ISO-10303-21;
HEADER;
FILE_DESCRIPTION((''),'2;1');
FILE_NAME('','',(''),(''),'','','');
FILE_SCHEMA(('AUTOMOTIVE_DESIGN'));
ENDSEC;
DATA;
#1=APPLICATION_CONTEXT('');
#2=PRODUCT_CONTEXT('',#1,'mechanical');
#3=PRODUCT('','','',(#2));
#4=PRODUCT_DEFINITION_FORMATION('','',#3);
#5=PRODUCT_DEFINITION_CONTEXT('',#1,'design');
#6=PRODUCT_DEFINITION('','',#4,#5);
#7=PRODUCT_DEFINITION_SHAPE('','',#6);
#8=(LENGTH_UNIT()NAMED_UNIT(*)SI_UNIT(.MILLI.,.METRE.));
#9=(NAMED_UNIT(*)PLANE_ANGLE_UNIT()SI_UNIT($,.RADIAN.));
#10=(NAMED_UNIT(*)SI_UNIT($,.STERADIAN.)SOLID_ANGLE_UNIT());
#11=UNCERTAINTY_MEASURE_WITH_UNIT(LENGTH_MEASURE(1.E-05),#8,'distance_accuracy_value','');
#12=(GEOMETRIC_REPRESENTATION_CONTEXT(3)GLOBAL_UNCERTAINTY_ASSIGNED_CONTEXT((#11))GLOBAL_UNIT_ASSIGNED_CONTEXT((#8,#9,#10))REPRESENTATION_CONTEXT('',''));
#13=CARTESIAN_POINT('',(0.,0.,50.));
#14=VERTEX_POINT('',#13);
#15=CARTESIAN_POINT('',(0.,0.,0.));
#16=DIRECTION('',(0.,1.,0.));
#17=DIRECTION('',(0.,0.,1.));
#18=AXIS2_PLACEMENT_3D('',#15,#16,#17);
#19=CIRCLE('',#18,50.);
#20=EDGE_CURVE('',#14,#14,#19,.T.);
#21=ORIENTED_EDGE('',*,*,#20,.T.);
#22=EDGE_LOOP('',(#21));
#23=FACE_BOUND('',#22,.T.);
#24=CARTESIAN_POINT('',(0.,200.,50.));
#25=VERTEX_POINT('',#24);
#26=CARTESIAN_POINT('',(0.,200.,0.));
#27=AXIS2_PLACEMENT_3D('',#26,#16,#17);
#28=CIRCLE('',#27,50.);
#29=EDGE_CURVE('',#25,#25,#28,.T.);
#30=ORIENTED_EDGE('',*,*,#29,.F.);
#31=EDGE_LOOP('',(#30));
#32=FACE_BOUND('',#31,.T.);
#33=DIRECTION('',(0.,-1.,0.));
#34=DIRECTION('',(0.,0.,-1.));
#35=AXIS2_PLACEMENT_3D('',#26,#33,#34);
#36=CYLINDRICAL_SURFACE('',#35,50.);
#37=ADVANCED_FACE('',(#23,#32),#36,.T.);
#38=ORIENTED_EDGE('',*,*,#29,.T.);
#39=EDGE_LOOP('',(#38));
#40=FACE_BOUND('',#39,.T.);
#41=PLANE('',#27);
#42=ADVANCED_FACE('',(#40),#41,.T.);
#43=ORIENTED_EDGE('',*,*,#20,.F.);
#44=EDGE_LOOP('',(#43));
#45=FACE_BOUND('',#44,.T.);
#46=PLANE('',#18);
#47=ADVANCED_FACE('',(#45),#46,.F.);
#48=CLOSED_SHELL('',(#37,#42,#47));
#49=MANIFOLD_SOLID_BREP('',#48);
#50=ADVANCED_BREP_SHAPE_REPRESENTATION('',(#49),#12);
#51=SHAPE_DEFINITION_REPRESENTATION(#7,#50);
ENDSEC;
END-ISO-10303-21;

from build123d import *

# Parameters (mm, degrees)
SKIZZE1_R                       = 50
AUFSATZ_LINEAR_AUSTRAGEN1_DEPTH = 200


with BuildPart() as part:
    # Skizze1 → Aufsatz-Linear austragen1 (new body)
    with BuildSketch(Plane(origin=(0, 0, 0), x_dir=(1, 0, 0), z_dir=(0, 1, 0))):
        with Locations(Location((0, 0, 0), (0, 0, 270))):  # turned: the seam where the file's is
            Circle(SKIZZE1_R)
    extrude(amount=AUFSATZ_LINEAR_AUSTRAGEN1_DEPTH)


solid = part.part
